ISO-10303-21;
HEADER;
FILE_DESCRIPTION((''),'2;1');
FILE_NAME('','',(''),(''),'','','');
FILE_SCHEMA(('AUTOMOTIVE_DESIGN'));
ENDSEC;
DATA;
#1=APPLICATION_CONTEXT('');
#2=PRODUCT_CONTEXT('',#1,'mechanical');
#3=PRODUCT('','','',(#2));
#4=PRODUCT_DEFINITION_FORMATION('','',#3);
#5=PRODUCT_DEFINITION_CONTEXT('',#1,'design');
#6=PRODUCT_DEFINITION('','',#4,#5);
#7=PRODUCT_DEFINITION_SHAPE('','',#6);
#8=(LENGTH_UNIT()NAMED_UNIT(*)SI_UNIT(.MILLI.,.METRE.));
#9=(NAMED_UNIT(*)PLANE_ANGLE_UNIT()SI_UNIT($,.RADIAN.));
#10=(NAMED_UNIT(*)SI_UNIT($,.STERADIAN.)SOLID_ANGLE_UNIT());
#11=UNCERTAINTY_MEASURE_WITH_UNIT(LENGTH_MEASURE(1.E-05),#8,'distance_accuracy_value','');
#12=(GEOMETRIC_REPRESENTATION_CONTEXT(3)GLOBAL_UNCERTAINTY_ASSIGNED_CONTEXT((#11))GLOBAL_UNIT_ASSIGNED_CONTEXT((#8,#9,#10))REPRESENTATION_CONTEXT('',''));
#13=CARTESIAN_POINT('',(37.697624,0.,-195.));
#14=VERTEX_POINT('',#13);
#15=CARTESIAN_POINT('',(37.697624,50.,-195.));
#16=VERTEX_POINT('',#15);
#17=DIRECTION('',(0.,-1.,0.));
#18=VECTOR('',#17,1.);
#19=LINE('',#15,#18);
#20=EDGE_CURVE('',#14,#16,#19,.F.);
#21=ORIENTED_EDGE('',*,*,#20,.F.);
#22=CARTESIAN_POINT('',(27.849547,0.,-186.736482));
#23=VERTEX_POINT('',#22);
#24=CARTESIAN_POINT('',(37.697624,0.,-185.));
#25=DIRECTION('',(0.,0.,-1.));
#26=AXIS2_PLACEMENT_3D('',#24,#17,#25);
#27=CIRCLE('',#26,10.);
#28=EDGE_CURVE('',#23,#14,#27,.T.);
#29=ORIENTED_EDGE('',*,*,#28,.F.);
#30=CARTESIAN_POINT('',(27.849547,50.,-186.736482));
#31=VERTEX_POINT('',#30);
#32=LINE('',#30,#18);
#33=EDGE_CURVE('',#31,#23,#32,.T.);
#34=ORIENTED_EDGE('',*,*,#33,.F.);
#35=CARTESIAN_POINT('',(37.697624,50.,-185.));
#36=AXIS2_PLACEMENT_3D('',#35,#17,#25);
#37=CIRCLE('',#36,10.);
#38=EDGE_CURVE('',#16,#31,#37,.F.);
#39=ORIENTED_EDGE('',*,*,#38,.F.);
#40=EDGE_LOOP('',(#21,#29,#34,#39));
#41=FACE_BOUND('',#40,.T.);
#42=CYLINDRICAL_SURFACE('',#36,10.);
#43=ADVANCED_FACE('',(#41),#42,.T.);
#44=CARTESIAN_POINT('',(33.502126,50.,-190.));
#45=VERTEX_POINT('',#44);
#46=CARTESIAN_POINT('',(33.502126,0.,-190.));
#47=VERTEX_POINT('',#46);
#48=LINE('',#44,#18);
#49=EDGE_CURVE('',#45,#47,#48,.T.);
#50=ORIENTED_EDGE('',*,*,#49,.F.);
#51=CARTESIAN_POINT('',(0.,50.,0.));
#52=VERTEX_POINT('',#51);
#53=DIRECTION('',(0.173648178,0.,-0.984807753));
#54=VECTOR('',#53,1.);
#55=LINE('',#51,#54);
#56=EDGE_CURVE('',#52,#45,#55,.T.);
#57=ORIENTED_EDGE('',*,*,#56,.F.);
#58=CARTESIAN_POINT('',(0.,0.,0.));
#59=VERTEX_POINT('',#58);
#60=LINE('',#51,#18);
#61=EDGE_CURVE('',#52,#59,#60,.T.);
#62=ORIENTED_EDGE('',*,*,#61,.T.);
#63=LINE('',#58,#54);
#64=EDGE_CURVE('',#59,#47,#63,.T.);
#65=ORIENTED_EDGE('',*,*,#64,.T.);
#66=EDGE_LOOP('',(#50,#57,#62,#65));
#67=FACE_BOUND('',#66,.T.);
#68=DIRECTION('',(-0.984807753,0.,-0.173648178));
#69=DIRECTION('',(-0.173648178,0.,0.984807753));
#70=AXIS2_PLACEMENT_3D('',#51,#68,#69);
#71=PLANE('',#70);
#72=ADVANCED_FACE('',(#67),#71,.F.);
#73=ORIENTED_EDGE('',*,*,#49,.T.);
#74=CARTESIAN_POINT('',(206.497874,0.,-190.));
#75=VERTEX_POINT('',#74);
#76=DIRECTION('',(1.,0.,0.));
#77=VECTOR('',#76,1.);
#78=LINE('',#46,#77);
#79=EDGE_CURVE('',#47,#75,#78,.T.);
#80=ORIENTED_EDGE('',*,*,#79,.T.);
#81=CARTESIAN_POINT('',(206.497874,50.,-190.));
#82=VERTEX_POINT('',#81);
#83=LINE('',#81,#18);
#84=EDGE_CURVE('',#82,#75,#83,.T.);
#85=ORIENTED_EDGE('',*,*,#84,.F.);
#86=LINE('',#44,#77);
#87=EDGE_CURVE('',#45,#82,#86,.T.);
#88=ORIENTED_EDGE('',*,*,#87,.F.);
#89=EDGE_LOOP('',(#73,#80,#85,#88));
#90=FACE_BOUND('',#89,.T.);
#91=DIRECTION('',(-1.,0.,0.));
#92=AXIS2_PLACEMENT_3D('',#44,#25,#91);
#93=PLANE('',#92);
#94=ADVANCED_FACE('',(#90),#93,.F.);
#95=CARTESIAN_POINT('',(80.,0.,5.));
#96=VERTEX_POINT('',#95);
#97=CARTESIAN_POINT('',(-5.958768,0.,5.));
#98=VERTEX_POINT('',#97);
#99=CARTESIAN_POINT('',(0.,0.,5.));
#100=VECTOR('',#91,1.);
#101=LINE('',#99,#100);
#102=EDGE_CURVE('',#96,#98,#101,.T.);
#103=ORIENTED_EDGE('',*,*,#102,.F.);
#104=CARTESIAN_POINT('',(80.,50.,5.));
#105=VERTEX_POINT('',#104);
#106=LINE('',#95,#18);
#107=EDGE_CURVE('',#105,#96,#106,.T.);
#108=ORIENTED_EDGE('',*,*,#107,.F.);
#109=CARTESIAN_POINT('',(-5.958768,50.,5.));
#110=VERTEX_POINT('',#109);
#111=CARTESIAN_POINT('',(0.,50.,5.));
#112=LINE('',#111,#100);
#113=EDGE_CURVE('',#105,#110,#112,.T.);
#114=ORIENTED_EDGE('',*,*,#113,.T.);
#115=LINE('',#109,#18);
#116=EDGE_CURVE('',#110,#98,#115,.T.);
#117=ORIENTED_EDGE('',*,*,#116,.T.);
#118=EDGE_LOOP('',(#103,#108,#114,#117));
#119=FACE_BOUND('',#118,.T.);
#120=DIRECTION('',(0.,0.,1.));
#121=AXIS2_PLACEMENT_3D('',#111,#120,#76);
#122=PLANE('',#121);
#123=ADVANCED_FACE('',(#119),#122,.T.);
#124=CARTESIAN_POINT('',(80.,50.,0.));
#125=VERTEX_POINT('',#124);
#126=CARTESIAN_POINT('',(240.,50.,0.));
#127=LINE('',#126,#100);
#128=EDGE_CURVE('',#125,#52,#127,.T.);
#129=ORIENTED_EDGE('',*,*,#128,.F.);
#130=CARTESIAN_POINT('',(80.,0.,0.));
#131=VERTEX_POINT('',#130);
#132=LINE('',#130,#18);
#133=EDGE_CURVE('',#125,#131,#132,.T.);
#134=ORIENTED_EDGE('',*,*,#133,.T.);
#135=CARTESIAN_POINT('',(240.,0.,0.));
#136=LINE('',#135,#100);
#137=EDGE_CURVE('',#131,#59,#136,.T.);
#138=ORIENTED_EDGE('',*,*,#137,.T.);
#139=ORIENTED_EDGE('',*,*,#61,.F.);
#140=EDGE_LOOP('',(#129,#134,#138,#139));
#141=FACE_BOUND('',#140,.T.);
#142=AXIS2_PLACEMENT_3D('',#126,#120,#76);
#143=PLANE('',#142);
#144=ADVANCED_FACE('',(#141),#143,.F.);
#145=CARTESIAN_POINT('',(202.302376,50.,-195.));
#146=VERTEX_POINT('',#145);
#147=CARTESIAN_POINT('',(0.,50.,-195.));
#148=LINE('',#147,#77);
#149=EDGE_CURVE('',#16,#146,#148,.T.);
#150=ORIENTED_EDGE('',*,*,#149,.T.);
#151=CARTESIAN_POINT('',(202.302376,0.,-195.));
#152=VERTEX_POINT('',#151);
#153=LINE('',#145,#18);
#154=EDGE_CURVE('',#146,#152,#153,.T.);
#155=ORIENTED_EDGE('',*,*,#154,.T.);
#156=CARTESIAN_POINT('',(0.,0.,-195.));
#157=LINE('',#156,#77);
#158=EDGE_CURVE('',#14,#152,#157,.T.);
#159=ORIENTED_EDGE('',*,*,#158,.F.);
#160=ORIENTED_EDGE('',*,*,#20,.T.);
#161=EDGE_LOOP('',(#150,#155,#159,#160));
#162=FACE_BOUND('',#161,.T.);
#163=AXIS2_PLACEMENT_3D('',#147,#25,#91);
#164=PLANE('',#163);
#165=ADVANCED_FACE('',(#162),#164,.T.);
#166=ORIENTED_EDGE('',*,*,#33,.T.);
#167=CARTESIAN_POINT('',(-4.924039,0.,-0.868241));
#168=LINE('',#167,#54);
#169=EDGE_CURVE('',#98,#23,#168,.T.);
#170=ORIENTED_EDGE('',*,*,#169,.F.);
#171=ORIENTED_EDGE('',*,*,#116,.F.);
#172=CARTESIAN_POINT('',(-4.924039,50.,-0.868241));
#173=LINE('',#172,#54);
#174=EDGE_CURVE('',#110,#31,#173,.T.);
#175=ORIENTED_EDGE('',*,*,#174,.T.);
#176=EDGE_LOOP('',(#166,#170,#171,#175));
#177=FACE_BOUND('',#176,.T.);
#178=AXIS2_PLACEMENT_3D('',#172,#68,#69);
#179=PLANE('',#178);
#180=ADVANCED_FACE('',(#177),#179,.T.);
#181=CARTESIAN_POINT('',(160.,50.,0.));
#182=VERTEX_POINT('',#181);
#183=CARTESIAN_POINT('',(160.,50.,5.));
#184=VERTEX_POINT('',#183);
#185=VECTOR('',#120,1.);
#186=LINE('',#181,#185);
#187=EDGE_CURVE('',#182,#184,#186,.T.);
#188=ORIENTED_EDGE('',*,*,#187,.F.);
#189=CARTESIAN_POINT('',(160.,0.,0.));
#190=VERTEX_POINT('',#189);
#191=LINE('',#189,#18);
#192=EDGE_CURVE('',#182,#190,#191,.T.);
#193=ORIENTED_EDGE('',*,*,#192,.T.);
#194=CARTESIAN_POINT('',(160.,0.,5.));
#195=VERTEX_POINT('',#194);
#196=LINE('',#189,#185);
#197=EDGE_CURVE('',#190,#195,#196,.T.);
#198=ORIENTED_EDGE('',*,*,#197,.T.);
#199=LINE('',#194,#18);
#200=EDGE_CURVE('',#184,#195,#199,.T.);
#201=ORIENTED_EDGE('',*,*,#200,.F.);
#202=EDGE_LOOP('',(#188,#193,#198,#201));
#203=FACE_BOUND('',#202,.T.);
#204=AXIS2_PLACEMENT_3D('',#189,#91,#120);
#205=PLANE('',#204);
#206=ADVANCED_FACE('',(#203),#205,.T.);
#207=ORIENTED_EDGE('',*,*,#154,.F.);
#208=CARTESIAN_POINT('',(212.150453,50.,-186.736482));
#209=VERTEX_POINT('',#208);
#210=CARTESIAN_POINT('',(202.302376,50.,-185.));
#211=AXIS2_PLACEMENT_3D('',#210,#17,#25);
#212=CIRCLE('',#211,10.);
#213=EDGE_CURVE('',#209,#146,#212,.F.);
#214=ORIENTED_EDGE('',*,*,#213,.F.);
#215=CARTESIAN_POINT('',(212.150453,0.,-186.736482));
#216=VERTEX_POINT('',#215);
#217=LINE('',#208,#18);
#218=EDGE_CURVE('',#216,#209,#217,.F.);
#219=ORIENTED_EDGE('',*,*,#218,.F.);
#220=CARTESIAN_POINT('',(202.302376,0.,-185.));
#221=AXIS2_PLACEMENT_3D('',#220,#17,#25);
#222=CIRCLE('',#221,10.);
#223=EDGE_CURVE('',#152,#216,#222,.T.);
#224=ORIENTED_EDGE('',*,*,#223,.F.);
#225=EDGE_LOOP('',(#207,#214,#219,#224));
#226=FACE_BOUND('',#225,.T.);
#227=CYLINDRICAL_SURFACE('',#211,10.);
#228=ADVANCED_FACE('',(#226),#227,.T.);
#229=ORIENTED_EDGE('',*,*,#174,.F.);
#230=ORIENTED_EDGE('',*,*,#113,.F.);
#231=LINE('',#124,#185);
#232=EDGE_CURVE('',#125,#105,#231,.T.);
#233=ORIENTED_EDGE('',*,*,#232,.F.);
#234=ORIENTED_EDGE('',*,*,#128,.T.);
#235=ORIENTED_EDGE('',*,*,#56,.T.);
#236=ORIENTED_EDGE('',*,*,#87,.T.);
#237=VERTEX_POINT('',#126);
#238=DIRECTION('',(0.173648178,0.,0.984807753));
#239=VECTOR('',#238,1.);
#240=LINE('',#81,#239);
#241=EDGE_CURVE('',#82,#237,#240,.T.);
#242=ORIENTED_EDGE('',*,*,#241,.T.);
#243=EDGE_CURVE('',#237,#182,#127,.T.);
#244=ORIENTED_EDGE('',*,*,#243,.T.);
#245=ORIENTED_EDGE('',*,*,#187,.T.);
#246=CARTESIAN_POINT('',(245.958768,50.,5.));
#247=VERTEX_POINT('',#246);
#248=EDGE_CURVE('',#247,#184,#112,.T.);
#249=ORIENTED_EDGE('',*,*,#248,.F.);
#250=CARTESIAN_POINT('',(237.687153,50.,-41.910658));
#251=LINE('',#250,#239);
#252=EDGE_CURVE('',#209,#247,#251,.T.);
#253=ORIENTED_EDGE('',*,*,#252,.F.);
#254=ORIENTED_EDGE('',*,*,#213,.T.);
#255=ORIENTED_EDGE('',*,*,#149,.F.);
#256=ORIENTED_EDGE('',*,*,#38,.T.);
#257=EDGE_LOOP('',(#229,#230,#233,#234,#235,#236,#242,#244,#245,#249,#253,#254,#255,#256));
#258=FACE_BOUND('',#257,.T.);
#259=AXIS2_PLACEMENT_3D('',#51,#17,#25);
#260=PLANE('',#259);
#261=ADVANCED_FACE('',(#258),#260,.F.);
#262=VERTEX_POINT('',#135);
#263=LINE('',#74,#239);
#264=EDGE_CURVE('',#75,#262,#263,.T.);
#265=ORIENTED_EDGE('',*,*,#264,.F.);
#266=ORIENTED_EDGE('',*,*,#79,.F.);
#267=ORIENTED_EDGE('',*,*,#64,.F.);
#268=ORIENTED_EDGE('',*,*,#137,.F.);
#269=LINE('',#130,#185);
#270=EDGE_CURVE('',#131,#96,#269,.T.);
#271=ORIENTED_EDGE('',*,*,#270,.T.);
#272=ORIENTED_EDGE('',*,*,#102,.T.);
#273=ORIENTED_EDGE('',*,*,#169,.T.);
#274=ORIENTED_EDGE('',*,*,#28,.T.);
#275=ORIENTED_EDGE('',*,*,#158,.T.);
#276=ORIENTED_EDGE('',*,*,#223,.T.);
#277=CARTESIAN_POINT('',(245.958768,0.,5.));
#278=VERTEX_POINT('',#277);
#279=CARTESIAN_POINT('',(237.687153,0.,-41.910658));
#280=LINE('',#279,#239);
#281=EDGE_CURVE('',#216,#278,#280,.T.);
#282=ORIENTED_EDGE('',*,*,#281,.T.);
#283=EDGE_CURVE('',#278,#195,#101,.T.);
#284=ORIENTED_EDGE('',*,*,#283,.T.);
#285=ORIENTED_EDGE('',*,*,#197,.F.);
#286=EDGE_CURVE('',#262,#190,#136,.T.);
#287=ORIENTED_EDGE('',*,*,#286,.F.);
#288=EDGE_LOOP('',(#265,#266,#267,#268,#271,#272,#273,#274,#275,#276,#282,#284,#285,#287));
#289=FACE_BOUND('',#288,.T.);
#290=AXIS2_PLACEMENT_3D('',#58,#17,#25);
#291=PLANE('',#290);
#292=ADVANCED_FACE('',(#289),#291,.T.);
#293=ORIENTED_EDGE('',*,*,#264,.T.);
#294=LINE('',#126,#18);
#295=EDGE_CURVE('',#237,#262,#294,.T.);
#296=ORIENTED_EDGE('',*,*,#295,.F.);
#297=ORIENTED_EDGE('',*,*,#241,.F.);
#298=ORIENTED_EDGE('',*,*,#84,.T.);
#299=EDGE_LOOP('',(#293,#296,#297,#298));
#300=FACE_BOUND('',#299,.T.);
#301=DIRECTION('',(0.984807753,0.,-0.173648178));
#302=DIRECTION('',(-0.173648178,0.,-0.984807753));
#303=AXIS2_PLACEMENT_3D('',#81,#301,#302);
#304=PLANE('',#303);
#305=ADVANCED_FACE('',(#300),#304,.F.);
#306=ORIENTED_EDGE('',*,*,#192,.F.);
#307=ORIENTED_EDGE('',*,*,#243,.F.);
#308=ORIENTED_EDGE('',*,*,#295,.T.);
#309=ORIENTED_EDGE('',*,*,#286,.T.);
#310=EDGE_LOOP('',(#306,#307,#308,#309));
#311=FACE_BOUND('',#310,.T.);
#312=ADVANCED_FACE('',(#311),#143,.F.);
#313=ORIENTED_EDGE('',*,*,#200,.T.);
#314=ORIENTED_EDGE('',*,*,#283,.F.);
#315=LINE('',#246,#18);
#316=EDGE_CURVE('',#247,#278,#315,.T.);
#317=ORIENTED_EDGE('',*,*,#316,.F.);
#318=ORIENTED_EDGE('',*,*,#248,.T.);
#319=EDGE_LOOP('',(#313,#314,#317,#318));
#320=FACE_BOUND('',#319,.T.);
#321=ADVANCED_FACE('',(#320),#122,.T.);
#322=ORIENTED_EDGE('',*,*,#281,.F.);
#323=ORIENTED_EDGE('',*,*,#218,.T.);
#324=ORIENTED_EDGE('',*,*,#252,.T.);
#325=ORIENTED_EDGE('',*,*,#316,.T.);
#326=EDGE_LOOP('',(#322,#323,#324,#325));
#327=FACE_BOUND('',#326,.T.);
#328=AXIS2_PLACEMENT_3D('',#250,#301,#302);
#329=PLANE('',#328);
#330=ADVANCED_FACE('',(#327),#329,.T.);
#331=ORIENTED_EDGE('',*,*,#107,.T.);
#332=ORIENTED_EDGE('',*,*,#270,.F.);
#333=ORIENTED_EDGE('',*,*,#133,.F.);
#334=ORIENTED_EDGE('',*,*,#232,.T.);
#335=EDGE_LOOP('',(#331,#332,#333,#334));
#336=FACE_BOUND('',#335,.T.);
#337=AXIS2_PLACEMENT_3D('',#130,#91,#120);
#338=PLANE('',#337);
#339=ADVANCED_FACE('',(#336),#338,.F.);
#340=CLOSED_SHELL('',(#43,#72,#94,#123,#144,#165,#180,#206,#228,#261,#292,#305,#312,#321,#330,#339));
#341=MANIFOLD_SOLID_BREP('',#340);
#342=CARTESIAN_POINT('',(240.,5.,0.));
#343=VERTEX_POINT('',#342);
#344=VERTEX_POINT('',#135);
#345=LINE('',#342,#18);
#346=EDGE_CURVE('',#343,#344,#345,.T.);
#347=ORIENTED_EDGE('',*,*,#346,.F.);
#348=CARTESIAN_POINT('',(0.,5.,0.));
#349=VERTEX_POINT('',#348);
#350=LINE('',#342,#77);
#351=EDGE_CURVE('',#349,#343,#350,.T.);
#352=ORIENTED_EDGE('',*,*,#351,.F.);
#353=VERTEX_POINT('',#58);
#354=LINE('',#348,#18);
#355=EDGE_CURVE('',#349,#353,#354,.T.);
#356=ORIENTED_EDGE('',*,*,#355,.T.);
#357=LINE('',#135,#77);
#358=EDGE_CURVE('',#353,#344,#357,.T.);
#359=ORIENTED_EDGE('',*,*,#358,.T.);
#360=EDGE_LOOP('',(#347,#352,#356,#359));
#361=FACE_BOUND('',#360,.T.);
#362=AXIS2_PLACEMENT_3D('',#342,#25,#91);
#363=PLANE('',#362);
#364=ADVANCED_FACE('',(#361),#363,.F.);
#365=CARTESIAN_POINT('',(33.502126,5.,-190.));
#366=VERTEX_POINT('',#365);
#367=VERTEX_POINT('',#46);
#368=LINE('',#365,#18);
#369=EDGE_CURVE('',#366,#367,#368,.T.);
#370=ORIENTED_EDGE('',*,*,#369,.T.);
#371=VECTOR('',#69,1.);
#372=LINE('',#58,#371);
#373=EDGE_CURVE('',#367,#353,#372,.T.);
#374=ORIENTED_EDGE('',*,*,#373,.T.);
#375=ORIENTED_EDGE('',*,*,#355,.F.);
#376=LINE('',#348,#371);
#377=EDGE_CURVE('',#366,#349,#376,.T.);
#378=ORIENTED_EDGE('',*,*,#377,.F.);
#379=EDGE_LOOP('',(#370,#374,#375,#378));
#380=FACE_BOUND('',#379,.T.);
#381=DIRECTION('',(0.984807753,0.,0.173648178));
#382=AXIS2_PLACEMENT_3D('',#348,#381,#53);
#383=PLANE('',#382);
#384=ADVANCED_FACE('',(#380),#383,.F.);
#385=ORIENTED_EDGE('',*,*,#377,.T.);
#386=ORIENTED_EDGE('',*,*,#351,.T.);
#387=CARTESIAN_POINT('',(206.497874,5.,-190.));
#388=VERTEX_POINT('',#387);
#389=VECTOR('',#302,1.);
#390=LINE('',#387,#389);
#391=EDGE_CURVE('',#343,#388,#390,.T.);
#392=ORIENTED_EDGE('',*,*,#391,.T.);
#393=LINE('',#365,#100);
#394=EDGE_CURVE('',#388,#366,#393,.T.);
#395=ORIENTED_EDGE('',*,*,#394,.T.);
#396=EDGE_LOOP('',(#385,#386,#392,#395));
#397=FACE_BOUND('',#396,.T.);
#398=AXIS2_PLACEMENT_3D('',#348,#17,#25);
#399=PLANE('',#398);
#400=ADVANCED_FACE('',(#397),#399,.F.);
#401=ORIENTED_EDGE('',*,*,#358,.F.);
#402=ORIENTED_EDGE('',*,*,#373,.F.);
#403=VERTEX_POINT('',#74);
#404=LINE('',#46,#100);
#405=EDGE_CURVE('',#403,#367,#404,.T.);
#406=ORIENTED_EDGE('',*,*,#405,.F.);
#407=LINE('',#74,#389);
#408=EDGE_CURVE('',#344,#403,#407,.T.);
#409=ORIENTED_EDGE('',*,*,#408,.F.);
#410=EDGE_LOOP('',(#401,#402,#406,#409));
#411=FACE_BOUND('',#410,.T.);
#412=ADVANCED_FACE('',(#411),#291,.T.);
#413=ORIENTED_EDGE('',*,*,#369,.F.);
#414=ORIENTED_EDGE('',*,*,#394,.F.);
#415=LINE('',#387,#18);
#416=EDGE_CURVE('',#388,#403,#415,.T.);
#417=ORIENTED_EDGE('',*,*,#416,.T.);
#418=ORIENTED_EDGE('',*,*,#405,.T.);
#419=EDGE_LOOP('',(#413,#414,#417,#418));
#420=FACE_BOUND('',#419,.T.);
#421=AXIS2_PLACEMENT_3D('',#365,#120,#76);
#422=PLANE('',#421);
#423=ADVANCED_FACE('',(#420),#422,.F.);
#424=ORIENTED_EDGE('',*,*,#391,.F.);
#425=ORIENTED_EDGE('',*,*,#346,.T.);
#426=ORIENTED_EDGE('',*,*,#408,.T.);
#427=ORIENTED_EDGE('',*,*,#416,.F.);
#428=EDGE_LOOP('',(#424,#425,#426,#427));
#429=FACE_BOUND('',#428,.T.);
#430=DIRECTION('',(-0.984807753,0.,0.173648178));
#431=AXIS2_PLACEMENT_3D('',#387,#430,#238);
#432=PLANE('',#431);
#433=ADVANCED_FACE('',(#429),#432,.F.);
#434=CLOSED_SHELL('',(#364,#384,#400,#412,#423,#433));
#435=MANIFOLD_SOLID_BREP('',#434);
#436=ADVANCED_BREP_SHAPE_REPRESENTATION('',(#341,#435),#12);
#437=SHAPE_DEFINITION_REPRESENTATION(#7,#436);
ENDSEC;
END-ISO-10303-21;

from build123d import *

# Parameters (mm, degrees)
EXTRUDE_THIN1_DEPTH = 50
BOSS_EXTRUDE1_DEPTH = 5
FILLET1_R           = 10
SKETCH2_W           = 80
SKETCH2_H           = 50
CUT_EXTRUDE1_DEPTH  = 5


with BuildPart() as part:
    # Sketch1 → Extrude-Thin1 (new body)
    with BuildSketch(Plane(origin=(0, 0, 0), x_dir=(1, 0, 0), z_dir=(0, 1, 0))):
        Polygon((245.958767963, -5), (-5.958767963, -5), (29.306628179, 195), (210.693371821, 195), align=None)
        Polygon((240, 0), (0, 0), (33.502126335, 190), (206.497873665, 190), align=None, mode=Mode.SUBTRACT)
    extrude(amount=EXTRUDE_THIN1_DEPTH)

    # Fillet1
    fillet1_edges = [part.edges().sort_by_distance(p)[0] for p in [
        (210.693371821, 25, -195),
        (29.306628179, 25, -195),
    ]]
    fillet(fillet1_edges, radius=FILLET1_R)

    # Sketch2 → Cut-Extrude1 (cut)
    with BuildSketch(Plane.XY.offset(5)):
        with Locations((120, 25)):
            Rectangle(SKETCH2_W, SKETCH2_H)
    extrude(amount=-CUT_EXTRUDE1_DEPTH, mode=Mode.SUBTRACT)


with BuildPart() as body_2:
    # Sketch1<3> → Boss-Extrude1 (new body)
    with BuildSketch(Plane(origin=(0, 0, 0), x_dir=(1, 0, 0), z_dir=(0, 1, 0))):
        Polygon((0, 0), (33.502126335, 190), (206.497873665, 190), (240, 0), align=None)
    extrude(amount=BOSS_EXTRUDE1_DEPTH)


solid = Compound([part.part, body_2.part])
